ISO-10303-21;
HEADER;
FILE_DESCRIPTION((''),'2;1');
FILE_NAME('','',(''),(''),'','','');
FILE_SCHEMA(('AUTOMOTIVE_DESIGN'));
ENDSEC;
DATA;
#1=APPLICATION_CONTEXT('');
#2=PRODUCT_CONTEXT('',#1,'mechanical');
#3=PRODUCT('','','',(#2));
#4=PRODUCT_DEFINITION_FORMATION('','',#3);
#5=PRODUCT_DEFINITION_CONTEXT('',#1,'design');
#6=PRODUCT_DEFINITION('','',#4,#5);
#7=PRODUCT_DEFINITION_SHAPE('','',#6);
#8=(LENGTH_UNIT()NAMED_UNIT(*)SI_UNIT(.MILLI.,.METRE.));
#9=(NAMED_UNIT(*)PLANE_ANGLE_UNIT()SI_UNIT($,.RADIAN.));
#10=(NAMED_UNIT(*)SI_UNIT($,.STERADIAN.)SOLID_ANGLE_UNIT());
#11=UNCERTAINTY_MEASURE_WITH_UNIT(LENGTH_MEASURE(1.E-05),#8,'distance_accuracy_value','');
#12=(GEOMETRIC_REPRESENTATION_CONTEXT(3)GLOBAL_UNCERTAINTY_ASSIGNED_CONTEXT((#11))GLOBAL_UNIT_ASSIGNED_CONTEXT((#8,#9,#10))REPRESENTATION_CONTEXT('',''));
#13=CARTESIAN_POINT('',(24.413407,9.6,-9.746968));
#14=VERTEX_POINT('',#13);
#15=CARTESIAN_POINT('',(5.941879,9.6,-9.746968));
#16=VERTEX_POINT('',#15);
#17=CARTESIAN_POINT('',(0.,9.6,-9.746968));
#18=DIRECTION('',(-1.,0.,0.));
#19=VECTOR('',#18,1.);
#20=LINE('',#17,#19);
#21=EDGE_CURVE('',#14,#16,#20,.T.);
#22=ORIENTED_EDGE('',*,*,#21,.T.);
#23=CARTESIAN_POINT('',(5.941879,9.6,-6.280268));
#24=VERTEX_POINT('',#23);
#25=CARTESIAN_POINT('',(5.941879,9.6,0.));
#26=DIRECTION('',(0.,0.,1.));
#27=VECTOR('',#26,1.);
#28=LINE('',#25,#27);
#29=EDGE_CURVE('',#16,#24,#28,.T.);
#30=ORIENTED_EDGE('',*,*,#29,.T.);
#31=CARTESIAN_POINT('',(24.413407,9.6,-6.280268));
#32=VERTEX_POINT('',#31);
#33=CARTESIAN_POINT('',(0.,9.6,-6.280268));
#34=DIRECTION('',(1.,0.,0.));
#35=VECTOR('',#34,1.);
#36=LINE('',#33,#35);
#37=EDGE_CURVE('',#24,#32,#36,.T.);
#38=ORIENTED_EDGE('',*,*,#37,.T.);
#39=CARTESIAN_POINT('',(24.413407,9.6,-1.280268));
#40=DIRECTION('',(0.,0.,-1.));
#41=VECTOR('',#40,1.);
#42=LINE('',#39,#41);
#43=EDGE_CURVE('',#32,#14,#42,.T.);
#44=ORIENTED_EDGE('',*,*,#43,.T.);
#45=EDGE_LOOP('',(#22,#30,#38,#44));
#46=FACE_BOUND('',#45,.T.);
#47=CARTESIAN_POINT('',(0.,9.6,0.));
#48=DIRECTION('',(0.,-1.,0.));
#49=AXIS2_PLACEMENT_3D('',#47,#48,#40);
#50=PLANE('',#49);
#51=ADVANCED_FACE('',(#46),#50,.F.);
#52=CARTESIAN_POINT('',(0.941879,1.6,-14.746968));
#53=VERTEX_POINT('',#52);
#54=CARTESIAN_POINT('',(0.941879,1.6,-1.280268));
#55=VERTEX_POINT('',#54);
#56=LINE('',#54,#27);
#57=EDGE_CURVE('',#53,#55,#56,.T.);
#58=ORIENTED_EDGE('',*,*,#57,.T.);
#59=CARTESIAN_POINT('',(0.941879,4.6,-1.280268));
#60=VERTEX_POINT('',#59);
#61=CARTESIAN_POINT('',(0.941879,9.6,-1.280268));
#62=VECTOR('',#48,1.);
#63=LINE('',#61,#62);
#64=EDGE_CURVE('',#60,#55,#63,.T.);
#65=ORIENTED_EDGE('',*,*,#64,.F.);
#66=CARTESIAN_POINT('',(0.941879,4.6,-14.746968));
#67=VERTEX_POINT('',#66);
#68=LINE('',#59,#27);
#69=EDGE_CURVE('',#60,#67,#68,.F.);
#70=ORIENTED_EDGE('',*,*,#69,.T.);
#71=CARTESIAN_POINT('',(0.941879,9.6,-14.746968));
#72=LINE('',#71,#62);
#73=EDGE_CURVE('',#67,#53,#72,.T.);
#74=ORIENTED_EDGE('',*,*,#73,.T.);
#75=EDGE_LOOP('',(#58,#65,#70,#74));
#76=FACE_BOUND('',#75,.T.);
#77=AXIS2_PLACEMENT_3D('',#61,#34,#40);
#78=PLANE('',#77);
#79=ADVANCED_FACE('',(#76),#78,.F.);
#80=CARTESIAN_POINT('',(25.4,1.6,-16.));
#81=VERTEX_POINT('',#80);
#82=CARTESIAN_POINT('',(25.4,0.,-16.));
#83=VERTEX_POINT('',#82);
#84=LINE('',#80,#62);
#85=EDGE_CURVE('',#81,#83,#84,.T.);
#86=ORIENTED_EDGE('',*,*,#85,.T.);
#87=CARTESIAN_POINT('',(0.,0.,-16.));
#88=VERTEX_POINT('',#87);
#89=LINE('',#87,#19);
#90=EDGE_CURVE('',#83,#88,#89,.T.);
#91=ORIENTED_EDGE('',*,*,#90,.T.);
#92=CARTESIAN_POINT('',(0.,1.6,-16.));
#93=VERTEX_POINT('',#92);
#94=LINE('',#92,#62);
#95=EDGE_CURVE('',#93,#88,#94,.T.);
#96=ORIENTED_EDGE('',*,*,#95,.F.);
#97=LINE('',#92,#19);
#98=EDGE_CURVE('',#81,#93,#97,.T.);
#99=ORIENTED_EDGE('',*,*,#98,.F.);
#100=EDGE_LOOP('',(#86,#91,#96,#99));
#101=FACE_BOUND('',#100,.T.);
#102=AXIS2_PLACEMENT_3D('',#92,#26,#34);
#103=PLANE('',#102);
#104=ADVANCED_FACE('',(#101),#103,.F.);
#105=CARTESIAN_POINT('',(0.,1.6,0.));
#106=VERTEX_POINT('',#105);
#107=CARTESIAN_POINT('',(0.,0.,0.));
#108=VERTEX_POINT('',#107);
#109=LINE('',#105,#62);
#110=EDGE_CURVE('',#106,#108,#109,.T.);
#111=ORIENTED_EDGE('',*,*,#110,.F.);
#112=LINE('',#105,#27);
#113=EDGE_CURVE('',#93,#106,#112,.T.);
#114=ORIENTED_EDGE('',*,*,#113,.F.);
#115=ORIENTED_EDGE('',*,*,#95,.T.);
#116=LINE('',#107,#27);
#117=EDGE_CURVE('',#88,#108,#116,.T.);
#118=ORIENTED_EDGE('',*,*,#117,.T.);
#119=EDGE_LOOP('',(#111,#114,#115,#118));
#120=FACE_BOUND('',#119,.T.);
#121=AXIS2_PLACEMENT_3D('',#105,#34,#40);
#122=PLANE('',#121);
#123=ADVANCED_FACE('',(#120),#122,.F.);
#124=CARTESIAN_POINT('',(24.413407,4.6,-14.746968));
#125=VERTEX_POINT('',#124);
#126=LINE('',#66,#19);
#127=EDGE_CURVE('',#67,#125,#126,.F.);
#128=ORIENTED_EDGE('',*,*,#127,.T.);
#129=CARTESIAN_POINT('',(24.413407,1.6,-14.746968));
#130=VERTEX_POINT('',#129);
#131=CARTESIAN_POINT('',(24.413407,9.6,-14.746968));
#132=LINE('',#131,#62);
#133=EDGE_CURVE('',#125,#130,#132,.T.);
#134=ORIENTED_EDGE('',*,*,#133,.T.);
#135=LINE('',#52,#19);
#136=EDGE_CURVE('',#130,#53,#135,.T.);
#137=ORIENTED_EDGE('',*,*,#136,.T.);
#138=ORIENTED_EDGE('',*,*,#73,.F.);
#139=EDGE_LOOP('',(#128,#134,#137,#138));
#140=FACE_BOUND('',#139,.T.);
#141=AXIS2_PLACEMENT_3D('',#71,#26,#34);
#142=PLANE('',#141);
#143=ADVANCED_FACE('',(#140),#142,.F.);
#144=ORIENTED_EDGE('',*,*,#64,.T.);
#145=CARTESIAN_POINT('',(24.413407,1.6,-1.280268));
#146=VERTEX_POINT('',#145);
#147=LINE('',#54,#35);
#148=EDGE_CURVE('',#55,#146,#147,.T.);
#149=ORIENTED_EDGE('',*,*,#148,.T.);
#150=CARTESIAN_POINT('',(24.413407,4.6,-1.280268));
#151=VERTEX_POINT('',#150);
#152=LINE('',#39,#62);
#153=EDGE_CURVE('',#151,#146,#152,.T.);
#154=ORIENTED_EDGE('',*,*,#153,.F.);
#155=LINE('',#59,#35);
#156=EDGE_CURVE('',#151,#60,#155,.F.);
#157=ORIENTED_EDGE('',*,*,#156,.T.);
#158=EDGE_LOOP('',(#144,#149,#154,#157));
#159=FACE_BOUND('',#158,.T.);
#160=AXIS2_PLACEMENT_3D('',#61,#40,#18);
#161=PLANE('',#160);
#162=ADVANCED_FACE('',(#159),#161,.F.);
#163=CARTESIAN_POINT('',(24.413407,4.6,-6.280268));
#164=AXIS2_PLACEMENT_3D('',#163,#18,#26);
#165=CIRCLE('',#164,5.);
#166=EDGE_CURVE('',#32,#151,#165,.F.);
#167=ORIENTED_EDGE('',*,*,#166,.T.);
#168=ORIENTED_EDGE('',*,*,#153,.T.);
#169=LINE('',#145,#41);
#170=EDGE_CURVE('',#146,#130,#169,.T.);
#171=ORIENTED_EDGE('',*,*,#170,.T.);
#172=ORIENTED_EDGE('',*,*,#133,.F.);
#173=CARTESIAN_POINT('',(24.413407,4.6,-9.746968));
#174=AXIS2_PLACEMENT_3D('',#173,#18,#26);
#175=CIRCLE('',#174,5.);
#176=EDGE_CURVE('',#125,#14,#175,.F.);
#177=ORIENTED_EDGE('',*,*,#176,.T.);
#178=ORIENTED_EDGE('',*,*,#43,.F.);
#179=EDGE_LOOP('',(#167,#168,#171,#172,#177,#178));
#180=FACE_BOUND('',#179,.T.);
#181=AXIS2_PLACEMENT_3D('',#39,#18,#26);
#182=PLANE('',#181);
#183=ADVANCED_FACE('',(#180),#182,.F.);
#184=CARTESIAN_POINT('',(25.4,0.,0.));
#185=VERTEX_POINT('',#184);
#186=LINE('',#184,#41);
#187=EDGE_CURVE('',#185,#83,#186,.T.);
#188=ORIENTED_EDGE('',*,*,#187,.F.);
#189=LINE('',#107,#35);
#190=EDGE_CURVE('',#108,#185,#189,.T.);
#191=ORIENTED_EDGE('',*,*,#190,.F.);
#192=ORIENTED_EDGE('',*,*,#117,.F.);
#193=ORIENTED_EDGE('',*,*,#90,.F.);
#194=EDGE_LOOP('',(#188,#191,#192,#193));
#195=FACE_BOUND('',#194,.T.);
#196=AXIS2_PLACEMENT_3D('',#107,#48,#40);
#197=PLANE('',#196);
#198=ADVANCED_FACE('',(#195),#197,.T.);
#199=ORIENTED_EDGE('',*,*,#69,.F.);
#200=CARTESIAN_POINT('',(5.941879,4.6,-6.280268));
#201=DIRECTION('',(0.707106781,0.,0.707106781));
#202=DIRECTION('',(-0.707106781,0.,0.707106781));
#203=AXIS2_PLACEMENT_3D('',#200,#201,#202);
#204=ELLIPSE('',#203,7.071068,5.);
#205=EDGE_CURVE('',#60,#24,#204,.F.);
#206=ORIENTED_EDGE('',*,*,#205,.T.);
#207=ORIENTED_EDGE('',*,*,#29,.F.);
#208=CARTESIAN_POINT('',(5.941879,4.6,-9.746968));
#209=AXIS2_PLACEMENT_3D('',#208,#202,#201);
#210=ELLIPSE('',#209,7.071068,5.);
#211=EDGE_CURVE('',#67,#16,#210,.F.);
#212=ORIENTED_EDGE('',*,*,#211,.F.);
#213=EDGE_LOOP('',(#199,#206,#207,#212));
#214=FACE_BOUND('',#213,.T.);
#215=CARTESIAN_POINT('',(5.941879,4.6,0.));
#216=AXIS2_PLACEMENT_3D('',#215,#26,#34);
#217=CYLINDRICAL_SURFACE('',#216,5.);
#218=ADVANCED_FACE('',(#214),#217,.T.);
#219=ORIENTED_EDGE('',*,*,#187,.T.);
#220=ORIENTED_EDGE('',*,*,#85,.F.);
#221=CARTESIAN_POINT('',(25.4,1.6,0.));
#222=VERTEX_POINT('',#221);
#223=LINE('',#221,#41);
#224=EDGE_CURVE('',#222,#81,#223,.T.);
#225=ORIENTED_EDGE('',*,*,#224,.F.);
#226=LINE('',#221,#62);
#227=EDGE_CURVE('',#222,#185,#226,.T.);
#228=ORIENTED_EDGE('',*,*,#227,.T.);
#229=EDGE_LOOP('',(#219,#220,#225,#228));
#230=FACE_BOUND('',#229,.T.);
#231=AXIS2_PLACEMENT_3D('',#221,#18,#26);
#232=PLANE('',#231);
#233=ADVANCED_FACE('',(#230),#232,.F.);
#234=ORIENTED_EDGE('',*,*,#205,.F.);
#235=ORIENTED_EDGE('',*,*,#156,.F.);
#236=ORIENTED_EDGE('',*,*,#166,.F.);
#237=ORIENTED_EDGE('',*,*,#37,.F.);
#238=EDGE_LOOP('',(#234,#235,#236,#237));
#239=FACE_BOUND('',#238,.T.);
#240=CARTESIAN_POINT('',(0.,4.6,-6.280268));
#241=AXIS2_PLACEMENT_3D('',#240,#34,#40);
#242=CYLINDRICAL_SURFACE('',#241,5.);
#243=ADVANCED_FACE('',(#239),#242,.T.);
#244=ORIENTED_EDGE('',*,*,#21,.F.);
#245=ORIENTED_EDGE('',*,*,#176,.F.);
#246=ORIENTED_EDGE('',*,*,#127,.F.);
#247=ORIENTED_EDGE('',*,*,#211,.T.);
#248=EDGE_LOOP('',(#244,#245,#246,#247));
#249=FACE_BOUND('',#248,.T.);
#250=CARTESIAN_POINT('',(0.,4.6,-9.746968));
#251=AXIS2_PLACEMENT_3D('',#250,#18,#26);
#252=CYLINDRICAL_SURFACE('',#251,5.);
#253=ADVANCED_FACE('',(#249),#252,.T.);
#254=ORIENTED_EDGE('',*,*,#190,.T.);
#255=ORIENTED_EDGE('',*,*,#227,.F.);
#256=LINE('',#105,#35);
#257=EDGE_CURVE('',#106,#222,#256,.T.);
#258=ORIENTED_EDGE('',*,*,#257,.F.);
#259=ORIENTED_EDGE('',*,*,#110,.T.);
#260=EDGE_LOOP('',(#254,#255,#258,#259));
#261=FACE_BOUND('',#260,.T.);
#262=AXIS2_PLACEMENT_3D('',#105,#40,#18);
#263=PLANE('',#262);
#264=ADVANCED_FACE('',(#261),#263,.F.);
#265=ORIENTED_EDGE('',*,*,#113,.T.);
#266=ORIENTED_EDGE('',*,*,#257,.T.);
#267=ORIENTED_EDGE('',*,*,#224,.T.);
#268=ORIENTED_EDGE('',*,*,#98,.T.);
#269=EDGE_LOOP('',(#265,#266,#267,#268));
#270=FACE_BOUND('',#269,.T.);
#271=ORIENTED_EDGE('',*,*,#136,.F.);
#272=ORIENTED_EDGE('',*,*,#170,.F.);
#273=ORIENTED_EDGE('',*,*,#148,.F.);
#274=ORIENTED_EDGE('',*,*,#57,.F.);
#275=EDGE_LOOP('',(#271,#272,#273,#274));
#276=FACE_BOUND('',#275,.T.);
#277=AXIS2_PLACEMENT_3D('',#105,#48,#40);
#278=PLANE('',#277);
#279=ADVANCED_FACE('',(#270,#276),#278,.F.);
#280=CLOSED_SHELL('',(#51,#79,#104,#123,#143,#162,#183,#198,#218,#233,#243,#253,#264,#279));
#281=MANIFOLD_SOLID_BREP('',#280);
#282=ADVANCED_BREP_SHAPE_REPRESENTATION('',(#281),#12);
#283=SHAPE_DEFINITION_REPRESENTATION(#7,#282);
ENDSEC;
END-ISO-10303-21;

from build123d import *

# Parameters (mm, degrees)
SKETCH1_W           = 25.4
SKETCH1_H           = 16
BOSS_EXTRUDE1_DEPTH = 1.6
SKETCH2_W           = 23.471528358
SKETCH2_H           = 13.466700145
BOSS_EXTRUDE2_DEPTH = 8
FILLET1_R           = 5


with BuildPart() as part:
    # Sketch1 → Boss-Extrude1 (new body)
    with BuildSketch(Plane(origin=(0, 0, 0), x_dir=(1, 0, 0), z_dir=(0, 1, 0))):
        with Locations((12.7, 8)):
            Rectangle(SKETCH1_W, SKETCH1_H)
    extrude(amount=BOSS_EXTRUDE1_DEPTH)

    # Sketch2 → Boss-Extrude2 (add)
    with BuildSketch(Plane(origin=(0, 1.6, 0), x_dir=(1, 0, 0), z_dir=(0, 1, 0))):
        with Locations((12.677642984, 8.013617828)):
            Rectangle(SKETCH2_W, SKETCH2_H)
    extrude(amount=BOSS_EXTRUDE2_DEPTH)

    # Fillet1
    fillet1_edges = [part.edges().sort_by_distance(p)[0] for p in [
        (0.941878805, 9.6, -8.013617827),
        (12.677642984, 9.6, -1.280267755),
        (12.677642984, 9.6, -14.7469679),
    ]]
    fillet(fillet1_edges, radius=FILLET1_R)


solid = part.part
